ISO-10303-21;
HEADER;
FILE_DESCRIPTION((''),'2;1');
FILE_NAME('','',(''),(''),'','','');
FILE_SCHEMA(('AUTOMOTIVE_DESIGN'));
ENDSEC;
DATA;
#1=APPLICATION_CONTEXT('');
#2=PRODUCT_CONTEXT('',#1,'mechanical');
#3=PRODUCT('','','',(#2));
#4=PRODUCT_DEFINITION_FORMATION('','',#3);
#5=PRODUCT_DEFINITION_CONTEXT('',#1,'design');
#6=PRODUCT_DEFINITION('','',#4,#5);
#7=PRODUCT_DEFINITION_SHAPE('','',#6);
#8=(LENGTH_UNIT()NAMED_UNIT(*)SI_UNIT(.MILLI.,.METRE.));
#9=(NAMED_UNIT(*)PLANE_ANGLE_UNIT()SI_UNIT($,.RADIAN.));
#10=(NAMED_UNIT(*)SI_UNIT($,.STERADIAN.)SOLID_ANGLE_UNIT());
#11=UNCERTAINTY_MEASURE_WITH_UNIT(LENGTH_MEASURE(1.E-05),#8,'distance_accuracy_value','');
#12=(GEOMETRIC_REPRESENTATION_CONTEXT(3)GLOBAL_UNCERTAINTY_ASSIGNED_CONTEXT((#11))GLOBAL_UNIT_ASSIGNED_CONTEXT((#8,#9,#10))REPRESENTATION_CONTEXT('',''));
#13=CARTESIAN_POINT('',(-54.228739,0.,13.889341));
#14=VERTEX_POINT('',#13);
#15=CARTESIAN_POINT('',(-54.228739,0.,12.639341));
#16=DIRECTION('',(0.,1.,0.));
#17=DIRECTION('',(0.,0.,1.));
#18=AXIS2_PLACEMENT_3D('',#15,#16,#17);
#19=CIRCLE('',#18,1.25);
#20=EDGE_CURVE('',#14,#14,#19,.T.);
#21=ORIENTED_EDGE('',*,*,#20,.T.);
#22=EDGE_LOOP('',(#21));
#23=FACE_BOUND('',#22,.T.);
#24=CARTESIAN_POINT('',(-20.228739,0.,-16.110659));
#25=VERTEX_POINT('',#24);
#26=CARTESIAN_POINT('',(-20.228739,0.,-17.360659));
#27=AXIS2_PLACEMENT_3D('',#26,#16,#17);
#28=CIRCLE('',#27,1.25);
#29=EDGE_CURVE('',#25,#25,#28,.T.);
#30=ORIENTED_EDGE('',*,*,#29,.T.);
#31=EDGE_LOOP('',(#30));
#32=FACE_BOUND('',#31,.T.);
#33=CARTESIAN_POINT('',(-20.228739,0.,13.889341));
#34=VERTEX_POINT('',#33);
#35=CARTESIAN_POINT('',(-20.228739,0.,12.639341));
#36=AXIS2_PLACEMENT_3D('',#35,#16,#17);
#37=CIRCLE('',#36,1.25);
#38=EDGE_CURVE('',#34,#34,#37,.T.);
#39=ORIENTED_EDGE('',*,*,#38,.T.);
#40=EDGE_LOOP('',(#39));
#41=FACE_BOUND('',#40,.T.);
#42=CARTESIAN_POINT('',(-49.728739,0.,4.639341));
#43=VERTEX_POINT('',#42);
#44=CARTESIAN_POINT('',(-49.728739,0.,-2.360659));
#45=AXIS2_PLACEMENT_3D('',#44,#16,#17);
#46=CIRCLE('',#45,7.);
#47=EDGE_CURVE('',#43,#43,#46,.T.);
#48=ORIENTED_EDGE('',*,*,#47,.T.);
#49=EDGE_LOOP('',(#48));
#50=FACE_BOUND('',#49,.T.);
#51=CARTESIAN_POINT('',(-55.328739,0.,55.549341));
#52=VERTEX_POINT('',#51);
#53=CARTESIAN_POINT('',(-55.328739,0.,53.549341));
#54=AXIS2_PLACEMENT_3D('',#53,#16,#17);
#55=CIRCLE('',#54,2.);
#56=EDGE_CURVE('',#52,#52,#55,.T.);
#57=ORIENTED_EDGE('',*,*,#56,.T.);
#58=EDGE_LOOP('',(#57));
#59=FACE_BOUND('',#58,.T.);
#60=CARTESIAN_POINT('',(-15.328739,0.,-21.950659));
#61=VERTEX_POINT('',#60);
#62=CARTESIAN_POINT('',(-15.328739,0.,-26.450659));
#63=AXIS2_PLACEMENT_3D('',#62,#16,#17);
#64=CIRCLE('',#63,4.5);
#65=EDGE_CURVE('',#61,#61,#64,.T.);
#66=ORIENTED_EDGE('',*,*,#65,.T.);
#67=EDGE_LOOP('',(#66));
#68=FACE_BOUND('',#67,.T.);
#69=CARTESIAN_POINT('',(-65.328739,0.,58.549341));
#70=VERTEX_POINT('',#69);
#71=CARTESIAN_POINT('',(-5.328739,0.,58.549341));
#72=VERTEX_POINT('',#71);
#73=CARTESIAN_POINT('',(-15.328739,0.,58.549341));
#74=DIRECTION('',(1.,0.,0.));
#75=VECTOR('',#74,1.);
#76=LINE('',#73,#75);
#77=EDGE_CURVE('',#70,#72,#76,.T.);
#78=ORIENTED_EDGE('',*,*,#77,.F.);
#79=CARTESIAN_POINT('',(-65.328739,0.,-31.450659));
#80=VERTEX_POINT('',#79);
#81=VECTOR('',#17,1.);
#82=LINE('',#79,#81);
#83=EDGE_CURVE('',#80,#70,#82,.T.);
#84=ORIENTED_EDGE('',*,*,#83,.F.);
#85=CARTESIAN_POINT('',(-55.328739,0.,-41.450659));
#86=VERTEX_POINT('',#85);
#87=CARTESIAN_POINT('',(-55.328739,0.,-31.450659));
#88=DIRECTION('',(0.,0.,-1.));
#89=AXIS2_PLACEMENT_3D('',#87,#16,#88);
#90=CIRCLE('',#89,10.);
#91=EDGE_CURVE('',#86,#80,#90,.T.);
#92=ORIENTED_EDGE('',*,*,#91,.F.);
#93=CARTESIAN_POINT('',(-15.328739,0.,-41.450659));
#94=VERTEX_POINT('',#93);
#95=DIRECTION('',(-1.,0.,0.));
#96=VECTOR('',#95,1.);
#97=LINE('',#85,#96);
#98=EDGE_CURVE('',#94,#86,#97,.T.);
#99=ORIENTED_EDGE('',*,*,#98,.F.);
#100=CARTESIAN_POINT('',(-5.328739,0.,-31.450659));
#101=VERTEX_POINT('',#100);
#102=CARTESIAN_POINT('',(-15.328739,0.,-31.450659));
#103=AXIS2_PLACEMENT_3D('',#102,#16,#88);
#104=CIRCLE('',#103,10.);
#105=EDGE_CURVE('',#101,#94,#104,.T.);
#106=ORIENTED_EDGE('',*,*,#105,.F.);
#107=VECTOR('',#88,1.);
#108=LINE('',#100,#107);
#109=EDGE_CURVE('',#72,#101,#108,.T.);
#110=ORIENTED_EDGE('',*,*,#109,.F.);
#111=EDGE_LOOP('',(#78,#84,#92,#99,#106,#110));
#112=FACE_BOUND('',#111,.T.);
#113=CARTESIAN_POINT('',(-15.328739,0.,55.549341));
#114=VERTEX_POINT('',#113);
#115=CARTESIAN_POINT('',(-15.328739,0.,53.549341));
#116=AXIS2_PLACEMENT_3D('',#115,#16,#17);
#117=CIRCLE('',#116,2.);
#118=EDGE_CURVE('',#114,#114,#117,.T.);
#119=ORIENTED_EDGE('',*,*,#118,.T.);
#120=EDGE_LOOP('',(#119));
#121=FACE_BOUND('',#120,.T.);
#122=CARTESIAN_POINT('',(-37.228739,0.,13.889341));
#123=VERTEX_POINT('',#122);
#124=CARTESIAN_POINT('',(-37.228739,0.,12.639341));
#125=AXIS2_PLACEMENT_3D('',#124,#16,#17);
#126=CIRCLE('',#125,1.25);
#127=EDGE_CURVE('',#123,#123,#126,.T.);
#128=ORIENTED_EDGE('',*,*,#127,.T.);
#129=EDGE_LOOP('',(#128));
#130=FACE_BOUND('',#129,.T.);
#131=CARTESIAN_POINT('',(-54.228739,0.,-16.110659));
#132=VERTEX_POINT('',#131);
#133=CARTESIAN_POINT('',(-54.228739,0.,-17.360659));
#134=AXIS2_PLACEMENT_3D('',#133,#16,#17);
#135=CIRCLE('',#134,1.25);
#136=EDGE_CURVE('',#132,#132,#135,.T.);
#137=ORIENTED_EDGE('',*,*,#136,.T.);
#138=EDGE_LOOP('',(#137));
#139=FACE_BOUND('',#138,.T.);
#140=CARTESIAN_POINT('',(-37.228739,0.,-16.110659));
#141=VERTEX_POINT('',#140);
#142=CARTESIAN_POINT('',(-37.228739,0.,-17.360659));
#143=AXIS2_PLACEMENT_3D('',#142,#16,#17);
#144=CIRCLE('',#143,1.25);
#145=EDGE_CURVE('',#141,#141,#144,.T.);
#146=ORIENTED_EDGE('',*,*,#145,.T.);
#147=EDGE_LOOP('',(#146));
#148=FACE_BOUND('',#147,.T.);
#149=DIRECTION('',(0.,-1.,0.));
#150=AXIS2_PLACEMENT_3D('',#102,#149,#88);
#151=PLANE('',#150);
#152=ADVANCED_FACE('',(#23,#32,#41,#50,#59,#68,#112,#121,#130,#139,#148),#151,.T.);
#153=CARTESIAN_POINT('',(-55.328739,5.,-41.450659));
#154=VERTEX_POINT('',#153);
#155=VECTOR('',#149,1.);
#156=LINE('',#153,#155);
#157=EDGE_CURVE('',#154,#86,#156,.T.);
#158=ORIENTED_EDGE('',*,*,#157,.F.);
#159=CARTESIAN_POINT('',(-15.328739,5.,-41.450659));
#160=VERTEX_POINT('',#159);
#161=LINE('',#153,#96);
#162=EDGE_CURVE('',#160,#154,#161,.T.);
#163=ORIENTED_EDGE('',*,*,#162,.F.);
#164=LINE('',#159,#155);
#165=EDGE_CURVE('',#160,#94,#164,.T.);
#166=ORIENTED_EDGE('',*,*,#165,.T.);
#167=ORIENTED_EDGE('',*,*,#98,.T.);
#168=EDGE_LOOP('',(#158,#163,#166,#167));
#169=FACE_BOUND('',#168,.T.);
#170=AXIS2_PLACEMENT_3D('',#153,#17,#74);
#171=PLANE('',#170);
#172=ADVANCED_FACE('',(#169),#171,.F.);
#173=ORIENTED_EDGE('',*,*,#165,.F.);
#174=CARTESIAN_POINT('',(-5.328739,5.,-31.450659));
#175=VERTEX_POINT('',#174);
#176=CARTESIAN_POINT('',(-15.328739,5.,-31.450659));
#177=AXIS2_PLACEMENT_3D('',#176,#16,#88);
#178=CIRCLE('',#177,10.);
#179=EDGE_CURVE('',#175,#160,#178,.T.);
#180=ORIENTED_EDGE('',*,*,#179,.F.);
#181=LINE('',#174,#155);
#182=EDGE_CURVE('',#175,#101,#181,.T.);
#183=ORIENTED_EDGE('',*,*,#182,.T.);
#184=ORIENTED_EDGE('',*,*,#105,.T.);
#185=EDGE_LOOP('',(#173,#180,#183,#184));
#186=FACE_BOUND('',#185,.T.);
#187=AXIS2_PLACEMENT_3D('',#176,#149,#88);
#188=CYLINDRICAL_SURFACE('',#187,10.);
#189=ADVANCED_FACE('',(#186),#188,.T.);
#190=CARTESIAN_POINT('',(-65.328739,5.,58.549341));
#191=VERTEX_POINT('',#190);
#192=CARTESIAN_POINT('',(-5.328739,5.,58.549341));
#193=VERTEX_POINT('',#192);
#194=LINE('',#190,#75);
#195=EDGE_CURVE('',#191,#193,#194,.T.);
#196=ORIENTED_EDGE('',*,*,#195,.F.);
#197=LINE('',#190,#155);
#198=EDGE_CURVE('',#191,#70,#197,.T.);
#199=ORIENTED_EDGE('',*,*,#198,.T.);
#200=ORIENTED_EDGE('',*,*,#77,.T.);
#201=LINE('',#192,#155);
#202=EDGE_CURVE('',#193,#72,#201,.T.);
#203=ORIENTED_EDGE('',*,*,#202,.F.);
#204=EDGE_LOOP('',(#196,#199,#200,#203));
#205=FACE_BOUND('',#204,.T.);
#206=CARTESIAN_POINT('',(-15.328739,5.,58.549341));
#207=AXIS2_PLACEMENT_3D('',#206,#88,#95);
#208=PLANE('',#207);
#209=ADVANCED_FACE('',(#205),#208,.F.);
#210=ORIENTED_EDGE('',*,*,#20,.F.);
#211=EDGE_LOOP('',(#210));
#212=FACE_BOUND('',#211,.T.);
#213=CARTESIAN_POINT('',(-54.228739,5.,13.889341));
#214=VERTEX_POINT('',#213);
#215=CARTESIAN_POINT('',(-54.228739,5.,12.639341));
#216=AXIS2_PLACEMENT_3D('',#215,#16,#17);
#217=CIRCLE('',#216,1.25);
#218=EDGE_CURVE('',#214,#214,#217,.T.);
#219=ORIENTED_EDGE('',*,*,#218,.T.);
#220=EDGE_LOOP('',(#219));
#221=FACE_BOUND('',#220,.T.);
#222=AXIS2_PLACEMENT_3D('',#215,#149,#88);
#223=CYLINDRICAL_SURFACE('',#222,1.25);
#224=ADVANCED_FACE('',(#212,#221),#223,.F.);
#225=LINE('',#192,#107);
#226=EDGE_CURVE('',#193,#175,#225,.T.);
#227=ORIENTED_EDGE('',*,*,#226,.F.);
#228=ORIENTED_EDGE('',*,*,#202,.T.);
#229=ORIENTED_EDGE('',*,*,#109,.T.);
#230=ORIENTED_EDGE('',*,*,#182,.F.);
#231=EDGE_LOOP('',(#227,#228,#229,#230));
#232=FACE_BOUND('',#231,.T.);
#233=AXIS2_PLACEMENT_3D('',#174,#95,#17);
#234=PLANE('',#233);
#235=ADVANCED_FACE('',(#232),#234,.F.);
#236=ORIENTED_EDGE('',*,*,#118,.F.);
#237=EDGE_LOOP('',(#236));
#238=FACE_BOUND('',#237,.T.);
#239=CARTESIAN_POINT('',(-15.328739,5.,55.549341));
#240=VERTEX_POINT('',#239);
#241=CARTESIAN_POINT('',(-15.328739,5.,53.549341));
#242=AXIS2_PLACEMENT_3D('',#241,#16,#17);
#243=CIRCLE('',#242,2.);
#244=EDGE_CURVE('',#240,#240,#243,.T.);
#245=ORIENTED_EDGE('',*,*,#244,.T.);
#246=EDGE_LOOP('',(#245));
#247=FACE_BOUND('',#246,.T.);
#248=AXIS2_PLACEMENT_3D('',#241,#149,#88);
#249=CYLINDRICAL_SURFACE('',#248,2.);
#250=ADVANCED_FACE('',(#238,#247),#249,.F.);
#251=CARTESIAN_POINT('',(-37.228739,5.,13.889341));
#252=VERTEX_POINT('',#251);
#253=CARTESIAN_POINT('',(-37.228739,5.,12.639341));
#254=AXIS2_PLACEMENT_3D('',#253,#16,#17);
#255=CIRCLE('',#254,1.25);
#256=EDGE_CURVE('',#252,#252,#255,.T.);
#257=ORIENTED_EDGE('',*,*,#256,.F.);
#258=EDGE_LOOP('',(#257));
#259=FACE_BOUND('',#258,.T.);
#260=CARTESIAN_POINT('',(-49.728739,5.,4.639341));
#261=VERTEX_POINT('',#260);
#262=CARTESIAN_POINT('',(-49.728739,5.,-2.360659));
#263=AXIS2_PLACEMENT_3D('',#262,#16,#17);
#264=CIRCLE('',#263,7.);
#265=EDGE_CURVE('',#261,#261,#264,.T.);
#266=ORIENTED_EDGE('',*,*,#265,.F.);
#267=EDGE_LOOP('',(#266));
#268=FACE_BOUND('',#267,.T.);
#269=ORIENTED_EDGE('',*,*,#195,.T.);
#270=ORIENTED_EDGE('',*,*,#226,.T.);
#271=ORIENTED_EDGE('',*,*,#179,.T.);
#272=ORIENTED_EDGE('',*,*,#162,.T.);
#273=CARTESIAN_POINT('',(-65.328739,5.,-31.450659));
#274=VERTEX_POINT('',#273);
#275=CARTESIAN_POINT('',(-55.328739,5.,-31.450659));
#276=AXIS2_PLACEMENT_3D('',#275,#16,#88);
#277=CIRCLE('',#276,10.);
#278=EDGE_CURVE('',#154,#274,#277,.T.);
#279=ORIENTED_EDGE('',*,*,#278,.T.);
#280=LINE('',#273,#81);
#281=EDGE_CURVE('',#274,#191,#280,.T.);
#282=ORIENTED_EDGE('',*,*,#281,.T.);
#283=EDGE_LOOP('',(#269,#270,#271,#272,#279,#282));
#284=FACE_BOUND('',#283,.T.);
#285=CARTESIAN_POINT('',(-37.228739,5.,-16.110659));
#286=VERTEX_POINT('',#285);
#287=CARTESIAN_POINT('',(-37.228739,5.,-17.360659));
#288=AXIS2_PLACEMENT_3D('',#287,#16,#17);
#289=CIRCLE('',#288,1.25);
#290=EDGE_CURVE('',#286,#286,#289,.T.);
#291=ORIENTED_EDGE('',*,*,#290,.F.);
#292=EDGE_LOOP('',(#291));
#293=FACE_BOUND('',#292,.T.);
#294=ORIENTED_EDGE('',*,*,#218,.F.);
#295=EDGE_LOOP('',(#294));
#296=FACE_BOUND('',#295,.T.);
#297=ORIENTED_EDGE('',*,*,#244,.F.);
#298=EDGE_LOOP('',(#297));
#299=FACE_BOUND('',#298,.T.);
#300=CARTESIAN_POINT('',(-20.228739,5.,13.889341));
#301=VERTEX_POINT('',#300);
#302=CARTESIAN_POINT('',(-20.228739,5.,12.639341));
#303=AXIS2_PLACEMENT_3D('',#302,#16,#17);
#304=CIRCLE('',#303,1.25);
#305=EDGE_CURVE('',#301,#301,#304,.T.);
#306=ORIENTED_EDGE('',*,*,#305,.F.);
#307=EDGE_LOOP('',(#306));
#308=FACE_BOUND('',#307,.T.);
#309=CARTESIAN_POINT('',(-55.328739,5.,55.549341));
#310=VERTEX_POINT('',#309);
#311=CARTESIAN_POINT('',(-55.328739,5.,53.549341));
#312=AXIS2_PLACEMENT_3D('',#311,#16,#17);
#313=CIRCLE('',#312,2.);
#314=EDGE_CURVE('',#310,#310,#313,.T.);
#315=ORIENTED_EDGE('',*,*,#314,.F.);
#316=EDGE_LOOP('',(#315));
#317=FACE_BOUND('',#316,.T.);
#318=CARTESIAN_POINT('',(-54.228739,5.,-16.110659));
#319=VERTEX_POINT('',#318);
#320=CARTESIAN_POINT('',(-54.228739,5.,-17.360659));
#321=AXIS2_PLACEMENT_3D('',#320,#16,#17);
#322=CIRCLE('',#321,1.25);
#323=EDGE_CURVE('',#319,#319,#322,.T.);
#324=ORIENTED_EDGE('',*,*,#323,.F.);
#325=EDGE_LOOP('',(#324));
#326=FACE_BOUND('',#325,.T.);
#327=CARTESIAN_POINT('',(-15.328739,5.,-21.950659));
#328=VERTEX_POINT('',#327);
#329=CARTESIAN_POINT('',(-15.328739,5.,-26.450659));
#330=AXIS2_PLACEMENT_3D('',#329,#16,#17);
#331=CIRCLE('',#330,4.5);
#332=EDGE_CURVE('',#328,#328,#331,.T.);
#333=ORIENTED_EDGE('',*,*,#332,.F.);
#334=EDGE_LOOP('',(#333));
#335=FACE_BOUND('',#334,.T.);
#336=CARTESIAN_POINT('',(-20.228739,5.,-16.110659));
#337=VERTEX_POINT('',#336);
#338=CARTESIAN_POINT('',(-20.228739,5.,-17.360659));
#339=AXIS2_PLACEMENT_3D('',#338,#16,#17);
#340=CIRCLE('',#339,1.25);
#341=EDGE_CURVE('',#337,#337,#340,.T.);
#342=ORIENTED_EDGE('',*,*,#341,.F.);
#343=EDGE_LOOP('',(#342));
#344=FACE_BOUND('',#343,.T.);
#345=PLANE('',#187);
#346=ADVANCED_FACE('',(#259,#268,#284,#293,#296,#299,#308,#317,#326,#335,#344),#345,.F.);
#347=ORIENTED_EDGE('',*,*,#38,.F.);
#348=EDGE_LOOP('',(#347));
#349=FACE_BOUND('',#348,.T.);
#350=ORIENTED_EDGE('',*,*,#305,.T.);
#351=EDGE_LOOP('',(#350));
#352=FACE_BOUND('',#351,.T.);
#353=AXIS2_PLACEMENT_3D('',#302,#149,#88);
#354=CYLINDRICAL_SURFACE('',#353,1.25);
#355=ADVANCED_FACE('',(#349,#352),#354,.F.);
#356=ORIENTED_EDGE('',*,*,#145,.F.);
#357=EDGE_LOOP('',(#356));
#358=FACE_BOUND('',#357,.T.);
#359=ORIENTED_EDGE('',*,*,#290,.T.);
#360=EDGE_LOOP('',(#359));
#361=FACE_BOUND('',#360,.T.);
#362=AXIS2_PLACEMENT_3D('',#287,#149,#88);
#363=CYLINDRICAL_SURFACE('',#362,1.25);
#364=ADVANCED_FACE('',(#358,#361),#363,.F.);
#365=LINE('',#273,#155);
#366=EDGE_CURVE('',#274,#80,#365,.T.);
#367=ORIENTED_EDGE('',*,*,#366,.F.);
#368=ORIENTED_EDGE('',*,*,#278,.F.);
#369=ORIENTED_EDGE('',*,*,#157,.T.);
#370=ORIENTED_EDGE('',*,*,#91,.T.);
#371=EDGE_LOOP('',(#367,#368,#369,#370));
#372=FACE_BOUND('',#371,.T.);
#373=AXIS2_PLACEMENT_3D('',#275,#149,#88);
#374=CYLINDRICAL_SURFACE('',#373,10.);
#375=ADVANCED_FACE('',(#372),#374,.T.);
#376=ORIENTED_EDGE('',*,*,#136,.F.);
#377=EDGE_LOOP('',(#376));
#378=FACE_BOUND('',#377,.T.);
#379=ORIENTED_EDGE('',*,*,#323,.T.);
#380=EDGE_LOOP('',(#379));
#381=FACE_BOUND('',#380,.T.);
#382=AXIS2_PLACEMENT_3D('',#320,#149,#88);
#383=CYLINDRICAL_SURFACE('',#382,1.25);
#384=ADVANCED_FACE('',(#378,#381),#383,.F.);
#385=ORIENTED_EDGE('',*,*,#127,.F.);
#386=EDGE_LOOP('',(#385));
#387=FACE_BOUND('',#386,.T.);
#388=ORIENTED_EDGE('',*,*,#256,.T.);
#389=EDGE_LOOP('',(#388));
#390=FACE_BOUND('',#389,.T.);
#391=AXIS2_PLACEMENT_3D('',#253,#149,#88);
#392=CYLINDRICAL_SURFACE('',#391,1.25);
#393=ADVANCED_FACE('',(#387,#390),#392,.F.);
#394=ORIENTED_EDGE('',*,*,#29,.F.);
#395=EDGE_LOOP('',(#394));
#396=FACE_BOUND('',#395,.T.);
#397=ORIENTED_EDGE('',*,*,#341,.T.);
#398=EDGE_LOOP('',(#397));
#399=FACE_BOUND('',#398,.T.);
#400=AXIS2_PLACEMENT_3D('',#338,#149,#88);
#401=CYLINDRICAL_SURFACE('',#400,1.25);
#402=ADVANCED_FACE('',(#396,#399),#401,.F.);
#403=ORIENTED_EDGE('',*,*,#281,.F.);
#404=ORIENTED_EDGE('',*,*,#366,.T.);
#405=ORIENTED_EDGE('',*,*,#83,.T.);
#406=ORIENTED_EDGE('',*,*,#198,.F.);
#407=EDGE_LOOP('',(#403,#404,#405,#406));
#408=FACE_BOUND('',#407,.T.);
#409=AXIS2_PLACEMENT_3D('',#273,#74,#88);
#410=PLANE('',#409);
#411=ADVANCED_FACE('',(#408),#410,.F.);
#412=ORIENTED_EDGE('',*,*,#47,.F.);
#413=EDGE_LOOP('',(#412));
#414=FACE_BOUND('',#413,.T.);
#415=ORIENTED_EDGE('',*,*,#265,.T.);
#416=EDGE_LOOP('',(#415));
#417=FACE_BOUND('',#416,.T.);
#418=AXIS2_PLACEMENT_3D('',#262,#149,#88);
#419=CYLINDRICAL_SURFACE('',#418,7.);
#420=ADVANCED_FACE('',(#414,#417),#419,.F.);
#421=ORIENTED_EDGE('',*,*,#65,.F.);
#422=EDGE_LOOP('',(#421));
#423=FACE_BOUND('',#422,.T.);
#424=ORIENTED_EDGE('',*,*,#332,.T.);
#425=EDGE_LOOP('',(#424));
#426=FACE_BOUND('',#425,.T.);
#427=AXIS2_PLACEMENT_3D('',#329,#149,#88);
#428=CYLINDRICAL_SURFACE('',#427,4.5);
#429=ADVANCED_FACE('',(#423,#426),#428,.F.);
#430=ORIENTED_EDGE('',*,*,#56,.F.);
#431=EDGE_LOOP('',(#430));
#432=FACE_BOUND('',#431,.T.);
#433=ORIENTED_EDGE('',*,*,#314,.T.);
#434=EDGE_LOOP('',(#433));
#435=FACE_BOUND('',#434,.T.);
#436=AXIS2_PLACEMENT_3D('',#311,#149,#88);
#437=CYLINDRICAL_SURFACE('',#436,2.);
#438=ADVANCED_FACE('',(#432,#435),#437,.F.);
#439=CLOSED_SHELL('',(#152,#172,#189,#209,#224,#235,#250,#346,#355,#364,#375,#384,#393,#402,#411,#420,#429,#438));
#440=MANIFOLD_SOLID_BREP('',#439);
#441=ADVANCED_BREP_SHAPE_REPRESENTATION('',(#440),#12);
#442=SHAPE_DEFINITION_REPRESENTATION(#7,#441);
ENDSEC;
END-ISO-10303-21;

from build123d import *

# Parameters (mm, degrees)
SKETCH_1_R      = 7
SKETCH_1_R_2    = 2
SKETCH_1_R_3    = 4.5
SKETCH_1_R_4    = 1.25
EXTRUDE_1_DEPTH = 5


with BuildPart() as part:
    # 草图1 → 凸台-拉伸1 (new body)
    with BuildSketch(Plane(origin=(0, 0, 0), x_dir=(1, 0, 0), z_dir=(0, 1, 0))):
        with BuildLine():
            Line((-65.328738569, 31.45065883), (-65.328738569, -58.54934117))
            Line((-65.328738569, -58.54934117), (-55.328738569, -58.54934117))
            Line((-55.328738569, -58.54934117), (-15.328738569, -58.54934117))
            Line((-15.328738569, -58.54934117), (-5.328738569, -58.54934117))
            Line((-5.328738569, -58.54934117), (-5.328738569, 2.36065883))
            Line((-5.328738569, 2.36065883), (-5.328738569, 31.45065883))
            ThreePointArc((-5.328738569, 31.45065883), (-8.257670757, 38.521726641), (-15.328738569, 41.45065883))
            Line((-15.328738569, 41.45065883), (-55.328738569, 41.45065883))
            ThreePointArc((-55.328738569, 41.45065883), (-62.399806381, 38.521726641), (-65.328738569, 31.45065883))
        make_face()
        with Locations(Location((-49.728738569, 2.36065883, 0), (0, 0, 270))):
            Circle(SKETCH_1_R, mode=Mode.SUBTRACT)
        with Locations(Location((-55.328738569, -53.54934117, 0), (0, 0, 270))):
            Circle(SKETCH_1_R_2, mode=Mode.SUBTRACT)
        with Locations(Location((-15.328738569, -53.54934117, 0), (0, 0, 270))):
            Circle(SKETCH_1_R_2, mode=Mode.SUBTRACT)
        with Locations(Location((-15.328738569, 26.45065883, 0), (0, 0, 270))):
            Circle(SKETCH_1_R_3, mode=Mode.SUBTRACT)
        with Locations(Location((-54.228738569, 17.36065883, 0), (0, 0, 270))):
            Circle(SKETCH_1_R_4, mode=Mode.SUBTRACT)
        with Locations(Location((-37.228738569, 17.36065883, 0), (0, 0, 270))):
            Circle(SKETCH_1_R_4, mode=Mode.SUBTRACT)
        with Locations(Location((-20.228738569, 17.36065883, 0), (0, 0, 270))):
            Circle(SKETCH_1_R_4, mode=Mode.SUBTRACT)
        with Locations(Location((-54.228738569, -12.63934117, 0), (0, 0, 270))):
            Circle(SKETCH_1_R_4, mode=Mode.SUBTRACT)
        with Locations(Location((-37.228738569, -12.63934117, 0), (0, 0, 270))):
            Circle(SKETCH_1_R_4, mode=Mode.SUBTRACT)
        with Locations(Location((-20.228738569, -12.63934117, 0), (0, 0, 270))):
            Circle(SKETCH_1_R_4, mode=Mode.SUBTRACT)
    extrude(amount=EXTRUDE_1_DEPTH)


solid = part.part
